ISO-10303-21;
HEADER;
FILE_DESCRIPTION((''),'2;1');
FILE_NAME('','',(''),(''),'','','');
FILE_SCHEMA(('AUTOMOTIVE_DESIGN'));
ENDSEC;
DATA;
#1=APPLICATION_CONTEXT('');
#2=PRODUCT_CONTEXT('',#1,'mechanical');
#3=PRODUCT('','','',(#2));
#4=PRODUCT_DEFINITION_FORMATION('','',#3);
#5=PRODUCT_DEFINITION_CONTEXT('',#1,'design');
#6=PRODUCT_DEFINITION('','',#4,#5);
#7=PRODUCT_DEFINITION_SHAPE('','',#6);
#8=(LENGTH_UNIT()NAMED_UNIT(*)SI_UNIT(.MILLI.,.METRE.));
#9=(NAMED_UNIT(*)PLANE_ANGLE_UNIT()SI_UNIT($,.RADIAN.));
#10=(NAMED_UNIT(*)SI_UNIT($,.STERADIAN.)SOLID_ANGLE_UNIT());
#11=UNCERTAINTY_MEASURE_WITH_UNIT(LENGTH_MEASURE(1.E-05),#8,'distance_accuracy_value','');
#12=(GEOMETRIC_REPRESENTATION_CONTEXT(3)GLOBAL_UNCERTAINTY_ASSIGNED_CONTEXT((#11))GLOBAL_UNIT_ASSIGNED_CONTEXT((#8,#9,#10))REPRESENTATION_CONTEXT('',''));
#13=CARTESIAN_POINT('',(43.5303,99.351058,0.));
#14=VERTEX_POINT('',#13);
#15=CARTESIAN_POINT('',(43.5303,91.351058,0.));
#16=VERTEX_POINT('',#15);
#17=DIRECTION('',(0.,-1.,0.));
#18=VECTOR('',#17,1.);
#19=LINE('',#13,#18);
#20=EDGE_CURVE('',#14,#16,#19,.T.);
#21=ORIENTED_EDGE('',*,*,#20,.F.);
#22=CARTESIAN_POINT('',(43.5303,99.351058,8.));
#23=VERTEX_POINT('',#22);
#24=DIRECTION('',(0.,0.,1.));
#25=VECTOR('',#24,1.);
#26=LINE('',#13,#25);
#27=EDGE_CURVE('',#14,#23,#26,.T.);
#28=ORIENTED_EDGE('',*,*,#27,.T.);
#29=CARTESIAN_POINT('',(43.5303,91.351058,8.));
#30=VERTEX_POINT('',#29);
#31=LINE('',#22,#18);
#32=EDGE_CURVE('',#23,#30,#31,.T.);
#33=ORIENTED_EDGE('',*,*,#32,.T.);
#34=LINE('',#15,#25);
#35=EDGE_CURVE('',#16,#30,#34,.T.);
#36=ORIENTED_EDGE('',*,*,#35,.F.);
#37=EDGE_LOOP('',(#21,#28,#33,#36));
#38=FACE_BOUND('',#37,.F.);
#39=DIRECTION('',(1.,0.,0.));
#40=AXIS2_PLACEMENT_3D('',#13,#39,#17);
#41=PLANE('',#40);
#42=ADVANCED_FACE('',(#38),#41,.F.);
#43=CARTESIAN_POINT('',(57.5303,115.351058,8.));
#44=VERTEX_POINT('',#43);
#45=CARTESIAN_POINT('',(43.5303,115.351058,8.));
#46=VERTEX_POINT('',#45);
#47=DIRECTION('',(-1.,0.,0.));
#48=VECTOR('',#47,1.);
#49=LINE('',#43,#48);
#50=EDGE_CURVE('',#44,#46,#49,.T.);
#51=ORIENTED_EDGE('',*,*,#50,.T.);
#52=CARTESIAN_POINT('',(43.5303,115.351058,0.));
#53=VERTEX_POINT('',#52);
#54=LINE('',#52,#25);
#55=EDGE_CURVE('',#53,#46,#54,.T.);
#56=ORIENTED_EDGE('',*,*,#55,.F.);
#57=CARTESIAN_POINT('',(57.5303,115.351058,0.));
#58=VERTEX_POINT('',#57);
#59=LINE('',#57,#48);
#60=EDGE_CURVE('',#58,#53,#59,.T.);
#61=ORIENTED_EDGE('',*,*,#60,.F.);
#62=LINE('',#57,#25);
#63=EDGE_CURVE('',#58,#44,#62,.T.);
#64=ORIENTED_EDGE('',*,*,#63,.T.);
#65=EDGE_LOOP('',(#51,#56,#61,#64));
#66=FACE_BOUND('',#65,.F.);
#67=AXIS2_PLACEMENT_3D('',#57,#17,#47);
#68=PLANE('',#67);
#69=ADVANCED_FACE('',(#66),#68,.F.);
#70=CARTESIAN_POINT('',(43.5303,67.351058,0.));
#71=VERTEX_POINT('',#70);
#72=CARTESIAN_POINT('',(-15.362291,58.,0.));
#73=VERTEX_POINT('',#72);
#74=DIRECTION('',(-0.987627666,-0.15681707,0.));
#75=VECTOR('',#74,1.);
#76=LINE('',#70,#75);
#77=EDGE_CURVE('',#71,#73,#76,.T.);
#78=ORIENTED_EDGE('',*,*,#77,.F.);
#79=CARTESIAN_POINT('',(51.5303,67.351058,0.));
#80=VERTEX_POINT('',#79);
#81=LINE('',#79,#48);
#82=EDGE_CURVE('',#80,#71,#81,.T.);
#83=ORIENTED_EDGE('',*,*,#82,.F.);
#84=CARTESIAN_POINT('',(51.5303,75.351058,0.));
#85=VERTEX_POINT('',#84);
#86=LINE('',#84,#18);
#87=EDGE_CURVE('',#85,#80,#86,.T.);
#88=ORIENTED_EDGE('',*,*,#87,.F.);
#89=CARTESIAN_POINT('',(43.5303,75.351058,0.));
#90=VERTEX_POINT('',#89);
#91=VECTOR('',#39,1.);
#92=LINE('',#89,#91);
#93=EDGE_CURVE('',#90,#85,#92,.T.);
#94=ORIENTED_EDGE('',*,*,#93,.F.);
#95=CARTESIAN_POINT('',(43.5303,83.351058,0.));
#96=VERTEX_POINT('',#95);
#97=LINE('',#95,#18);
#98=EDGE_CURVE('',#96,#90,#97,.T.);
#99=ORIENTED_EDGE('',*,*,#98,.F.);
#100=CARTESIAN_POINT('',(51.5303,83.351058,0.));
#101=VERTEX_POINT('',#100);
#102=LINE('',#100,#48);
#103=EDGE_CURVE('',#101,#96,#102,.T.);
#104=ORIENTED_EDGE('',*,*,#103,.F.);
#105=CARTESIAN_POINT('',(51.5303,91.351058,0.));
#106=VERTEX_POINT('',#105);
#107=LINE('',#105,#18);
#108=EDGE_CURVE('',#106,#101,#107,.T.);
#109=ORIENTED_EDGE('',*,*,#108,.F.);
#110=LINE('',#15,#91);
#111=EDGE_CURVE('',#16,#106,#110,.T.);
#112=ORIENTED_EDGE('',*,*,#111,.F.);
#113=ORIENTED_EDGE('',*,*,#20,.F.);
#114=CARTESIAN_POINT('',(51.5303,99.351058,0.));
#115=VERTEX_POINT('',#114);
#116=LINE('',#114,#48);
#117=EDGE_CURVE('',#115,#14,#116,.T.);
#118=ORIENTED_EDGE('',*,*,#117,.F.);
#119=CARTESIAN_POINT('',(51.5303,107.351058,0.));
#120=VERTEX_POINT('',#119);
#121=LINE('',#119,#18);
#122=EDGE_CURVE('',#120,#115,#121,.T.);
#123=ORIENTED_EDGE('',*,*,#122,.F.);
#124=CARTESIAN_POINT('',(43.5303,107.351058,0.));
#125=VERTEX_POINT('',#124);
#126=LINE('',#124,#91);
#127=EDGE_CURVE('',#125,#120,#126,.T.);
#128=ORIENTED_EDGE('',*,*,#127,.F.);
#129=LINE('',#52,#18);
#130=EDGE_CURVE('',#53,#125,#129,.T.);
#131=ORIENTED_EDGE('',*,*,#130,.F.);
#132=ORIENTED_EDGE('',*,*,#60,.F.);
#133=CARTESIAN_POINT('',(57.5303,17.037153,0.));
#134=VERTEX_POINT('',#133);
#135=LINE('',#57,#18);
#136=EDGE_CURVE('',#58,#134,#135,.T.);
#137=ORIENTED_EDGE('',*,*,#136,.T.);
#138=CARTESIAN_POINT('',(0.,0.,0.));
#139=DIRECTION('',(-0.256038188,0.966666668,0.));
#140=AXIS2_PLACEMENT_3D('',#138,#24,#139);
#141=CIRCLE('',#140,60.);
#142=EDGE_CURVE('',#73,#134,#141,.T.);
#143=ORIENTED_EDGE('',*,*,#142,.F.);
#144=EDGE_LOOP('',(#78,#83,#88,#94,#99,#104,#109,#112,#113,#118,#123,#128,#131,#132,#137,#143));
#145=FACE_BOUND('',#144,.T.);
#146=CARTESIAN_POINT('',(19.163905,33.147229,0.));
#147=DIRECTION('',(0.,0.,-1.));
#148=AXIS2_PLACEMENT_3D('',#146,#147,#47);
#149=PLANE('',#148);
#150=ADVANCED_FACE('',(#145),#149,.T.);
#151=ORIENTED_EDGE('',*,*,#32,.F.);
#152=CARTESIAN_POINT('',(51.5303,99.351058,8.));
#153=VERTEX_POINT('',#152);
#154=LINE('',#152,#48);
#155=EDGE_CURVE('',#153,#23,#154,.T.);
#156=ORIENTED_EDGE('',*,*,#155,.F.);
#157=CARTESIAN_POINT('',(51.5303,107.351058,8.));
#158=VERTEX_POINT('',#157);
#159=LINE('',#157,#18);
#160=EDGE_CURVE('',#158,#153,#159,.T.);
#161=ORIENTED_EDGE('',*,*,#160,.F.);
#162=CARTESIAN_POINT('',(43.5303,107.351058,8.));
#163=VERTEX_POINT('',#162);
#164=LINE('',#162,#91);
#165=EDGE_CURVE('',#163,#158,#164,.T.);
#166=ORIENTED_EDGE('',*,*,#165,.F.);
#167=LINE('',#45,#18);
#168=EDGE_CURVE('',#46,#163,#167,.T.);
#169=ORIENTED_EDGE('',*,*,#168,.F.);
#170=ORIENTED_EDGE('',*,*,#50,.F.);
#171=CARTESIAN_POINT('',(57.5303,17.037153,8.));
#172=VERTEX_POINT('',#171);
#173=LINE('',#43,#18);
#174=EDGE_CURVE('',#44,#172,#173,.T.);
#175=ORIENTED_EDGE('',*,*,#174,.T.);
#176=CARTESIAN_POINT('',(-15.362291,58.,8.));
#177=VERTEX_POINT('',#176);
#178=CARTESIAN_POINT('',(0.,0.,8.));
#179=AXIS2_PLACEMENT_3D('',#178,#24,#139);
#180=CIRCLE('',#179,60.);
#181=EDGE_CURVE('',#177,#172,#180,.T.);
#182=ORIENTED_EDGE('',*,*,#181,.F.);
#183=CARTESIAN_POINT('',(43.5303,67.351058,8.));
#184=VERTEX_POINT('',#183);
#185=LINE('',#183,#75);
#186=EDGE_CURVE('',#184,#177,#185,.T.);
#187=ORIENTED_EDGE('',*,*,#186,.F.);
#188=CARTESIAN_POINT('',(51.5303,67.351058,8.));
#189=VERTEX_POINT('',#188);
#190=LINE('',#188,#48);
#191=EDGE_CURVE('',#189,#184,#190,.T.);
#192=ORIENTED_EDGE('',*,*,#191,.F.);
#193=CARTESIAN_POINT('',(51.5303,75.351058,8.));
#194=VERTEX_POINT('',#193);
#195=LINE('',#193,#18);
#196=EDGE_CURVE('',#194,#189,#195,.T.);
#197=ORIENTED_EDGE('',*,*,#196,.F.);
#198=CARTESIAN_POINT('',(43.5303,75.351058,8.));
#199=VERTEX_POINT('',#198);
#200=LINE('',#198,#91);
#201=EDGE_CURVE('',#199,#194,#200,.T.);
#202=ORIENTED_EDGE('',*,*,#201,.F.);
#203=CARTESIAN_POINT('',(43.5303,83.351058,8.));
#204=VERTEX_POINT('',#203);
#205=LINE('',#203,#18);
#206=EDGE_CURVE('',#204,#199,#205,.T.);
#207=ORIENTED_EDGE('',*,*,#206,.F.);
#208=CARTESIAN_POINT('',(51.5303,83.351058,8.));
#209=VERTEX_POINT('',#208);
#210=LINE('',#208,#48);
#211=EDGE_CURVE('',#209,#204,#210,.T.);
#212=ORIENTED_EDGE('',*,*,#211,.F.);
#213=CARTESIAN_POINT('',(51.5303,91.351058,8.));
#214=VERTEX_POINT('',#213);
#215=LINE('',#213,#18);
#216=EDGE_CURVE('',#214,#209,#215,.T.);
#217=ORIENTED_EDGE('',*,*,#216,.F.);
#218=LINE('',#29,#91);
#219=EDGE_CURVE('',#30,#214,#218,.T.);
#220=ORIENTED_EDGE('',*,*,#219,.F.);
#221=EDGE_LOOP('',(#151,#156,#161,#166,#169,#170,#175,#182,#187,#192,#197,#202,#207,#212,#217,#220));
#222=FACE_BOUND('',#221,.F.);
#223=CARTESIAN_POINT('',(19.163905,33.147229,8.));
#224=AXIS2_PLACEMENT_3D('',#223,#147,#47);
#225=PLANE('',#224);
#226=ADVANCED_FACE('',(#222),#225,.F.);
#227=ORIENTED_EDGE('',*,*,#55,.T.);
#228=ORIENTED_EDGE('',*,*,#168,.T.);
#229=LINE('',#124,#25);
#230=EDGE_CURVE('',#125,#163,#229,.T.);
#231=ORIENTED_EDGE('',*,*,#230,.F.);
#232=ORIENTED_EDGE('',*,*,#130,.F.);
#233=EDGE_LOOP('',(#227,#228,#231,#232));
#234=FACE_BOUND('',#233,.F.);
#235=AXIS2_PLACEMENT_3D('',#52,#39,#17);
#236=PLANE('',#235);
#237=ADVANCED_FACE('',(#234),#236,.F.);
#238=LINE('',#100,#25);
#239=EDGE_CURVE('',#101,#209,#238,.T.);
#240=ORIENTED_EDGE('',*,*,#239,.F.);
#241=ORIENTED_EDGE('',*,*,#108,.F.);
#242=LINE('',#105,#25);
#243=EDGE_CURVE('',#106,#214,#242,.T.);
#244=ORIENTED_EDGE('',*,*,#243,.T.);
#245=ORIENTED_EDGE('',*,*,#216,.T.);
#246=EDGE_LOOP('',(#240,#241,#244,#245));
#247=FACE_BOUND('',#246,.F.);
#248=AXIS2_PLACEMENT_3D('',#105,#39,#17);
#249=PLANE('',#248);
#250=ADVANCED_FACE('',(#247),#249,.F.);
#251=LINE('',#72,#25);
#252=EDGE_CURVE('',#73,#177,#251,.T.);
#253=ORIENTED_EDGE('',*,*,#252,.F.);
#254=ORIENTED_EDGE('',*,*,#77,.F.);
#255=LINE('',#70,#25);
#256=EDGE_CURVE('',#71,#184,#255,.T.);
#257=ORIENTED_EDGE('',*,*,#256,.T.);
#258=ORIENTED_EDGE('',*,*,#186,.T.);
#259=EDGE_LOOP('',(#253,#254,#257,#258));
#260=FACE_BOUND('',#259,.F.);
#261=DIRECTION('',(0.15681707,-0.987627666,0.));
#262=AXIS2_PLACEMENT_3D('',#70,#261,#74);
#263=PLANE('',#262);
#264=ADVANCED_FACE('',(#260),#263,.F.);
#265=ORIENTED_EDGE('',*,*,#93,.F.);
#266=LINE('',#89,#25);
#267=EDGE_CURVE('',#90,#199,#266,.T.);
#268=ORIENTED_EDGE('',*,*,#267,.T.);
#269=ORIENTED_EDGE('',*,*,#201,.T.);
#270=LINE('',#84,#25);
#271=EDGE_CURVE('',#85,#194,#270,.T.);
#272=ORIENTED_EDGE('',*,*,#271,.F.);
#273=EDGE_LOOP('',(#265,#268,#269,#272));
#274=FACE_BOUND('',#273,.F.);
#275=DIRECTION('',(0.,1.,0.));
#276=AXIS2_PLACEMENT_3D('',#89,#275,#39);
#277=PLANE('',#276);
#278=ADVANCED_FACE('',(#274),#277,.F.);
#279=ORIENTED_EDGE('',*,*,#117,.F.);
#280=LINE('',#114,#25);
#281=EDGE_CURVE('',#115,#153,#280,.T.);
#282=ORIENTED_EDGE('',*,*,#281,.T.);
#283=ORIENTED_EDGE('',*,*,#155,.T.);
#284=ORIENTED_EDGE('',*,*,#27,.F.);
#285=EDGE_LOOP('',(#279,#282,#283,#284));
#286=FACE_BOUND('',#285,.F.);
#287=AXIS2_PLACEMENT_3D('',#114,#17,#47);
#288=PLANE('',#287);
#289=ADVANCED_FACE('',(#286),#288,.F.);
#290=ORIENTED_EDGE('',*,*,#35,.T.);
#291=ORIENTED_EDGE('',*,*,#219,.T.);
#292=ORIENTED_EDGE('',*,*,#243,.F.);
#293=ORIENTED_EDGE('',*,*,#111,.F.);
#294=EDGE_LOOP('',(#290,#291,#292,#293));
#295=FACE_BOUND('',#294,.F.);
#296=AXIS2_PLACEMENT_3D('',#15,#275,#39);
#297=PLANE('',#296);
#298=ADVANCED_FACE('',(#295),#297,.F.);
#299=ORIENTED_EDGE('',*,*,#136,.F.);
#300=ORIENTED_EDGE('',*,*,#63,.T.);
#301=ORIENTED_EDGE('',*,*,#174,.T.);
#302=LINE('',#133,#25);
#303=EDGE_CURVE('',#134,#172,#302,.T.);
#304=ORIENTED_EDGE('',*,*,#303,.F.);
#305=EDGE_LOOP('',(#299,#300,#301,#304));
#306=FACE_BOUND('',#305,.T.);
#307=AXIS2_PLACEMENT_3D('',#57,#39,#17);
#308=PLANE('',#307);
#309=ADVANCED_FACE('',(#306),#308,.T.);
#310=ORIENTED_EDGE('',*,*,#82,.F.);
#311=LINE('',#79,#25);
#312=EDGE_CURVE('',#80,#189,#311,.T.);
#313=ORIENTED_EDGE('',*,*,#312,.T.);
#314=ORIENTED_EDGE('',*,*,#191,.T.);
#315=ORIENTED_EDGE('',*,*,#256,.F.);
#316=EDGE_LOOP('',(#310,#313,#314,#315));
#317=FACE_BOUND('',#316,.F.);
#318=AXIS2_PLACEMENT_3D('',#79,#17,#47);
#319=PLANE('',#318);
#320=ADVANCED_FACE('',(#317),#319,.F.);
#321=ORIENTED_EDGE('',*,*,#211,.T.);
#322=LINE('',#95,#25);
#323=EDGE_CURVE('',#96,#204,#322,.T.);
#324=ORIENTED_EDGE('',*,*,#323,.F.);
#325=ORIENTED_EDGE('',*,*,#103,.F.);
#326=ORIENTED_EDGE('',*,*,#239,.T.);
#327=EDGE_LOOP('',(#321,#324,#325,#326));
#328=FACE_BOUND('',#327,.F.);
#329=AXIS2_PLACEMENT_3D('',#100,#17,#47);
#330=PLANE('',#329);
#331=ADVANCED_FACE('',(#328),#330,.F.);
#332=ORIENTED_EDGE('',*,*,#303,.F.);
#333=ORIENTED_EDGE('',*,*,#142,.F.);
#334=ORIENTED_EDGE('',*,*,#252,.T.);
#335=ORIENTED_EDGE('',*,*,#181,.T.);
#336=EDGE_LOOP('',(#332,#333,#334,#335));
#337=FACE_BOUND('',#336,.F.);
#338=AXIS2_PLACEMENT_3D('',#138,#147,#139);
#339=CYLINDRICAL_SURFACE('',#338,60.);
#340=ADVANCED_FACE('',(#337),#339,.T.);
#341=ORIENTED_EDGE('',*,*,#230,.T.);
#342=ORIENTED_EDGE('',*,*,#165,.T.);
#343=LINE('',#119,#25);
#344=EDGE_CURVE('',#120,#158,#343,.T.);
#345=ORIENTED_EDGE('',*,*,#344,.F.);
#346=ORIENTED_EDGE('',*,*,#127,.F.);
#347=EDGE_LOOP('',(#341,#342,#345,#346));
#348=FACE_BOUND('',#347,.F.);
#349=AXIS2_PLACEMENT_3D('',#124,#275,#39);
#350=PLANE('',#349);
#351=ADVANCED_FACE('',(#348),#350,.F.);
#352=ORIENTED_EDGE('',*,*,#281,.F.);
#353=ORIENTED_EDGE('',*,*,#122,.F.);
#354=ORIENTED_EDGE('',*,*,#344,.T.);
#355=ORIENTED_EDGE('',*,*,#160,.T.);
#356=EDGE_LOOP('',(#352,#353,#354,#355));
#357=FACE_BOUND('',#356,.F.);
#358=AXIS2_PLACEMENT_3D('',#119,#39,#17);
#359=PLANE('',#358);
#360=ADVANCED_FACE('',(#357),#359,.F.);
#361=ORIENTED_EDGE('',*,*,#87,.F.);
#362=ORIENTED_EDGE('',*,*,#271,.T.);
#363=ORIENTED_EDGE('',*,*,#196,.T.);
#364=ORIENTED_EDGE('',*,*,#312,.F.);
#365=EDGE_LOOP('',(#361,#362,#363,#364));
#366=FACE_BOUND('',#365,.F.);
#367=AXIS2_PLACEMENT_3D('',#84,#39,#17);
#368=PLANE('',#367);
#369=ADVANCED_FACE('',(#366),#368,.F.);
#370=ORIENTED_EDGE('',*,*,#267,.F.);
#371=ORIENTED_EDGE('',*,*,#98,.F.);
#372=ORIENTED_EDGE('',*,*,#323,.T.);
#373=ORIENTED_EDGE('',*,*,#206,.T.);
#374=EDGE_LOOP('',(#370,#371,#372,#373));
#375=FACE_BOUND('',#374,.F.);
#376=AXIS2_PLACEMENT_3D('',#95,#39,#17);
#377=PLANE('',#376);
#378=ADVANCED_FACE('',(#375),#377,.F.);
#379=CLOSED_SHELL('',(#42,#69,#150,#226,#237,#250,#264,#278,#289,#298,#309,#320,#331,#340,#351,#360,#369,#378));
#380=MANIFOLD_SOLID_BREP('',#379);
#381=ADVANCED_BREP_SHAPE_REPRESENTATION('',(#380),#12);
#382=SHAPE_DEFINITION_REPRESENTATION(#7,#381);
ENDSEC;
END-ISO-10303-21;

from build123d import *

# Parameters (mm, degrees)
PAD_DEPTH = 8


with BuildPart() as part:
    # Sketch → Pad (new body)
    with BuildSketch(Plane.XY):
        with BuildLine():
            Line((51.5303, 115.351058), (57.5303, 115.351058))
            Line((57.5303, 115.351058), (57.5303, 17.037153))
            ThreePointArc((-15.362291, 58), (-29.394284, -52.306558), (57.5303, 17.037153))
            Line((43.5303, 67.351058), (-15.362291, 58))
            Line((51.5303, 67.351058), (43.5303, 67.351058))
            Line((51.5303, 75.351058), (51.5303, 67.351058))
            Line((43.5303, 75.351058), (51.5303, 75.351058))
            Line((43.5303, 83.351058), (43.5303, 75.351058))
            Line((51.5303, 83.351058), (43.5303, 83.351058))
            Line((51.5303, 91.351058), (51.5303, 83.351058))
            Line((43.5303, 91.351058), (51.5303, 91.351058))
            Line((43.5303, 99.351058), (43.5303, 91.351058))
            Line((51.5303, 99.351058), (43.5303, 99.351058))
            Line((51.5303, 107.351058), (51.5303, 99.351058))
            Line((43.5303, 107.351058), (51.5303, 107.351058))
            Line((43.5303, 115.351058), (43.5303, 107.351058))
            Line((51.5303, 115.351058), (43.5303, 115.351058))
        make_face()
    extrude(amount=PAD_DEPTH)


solid = part.part
